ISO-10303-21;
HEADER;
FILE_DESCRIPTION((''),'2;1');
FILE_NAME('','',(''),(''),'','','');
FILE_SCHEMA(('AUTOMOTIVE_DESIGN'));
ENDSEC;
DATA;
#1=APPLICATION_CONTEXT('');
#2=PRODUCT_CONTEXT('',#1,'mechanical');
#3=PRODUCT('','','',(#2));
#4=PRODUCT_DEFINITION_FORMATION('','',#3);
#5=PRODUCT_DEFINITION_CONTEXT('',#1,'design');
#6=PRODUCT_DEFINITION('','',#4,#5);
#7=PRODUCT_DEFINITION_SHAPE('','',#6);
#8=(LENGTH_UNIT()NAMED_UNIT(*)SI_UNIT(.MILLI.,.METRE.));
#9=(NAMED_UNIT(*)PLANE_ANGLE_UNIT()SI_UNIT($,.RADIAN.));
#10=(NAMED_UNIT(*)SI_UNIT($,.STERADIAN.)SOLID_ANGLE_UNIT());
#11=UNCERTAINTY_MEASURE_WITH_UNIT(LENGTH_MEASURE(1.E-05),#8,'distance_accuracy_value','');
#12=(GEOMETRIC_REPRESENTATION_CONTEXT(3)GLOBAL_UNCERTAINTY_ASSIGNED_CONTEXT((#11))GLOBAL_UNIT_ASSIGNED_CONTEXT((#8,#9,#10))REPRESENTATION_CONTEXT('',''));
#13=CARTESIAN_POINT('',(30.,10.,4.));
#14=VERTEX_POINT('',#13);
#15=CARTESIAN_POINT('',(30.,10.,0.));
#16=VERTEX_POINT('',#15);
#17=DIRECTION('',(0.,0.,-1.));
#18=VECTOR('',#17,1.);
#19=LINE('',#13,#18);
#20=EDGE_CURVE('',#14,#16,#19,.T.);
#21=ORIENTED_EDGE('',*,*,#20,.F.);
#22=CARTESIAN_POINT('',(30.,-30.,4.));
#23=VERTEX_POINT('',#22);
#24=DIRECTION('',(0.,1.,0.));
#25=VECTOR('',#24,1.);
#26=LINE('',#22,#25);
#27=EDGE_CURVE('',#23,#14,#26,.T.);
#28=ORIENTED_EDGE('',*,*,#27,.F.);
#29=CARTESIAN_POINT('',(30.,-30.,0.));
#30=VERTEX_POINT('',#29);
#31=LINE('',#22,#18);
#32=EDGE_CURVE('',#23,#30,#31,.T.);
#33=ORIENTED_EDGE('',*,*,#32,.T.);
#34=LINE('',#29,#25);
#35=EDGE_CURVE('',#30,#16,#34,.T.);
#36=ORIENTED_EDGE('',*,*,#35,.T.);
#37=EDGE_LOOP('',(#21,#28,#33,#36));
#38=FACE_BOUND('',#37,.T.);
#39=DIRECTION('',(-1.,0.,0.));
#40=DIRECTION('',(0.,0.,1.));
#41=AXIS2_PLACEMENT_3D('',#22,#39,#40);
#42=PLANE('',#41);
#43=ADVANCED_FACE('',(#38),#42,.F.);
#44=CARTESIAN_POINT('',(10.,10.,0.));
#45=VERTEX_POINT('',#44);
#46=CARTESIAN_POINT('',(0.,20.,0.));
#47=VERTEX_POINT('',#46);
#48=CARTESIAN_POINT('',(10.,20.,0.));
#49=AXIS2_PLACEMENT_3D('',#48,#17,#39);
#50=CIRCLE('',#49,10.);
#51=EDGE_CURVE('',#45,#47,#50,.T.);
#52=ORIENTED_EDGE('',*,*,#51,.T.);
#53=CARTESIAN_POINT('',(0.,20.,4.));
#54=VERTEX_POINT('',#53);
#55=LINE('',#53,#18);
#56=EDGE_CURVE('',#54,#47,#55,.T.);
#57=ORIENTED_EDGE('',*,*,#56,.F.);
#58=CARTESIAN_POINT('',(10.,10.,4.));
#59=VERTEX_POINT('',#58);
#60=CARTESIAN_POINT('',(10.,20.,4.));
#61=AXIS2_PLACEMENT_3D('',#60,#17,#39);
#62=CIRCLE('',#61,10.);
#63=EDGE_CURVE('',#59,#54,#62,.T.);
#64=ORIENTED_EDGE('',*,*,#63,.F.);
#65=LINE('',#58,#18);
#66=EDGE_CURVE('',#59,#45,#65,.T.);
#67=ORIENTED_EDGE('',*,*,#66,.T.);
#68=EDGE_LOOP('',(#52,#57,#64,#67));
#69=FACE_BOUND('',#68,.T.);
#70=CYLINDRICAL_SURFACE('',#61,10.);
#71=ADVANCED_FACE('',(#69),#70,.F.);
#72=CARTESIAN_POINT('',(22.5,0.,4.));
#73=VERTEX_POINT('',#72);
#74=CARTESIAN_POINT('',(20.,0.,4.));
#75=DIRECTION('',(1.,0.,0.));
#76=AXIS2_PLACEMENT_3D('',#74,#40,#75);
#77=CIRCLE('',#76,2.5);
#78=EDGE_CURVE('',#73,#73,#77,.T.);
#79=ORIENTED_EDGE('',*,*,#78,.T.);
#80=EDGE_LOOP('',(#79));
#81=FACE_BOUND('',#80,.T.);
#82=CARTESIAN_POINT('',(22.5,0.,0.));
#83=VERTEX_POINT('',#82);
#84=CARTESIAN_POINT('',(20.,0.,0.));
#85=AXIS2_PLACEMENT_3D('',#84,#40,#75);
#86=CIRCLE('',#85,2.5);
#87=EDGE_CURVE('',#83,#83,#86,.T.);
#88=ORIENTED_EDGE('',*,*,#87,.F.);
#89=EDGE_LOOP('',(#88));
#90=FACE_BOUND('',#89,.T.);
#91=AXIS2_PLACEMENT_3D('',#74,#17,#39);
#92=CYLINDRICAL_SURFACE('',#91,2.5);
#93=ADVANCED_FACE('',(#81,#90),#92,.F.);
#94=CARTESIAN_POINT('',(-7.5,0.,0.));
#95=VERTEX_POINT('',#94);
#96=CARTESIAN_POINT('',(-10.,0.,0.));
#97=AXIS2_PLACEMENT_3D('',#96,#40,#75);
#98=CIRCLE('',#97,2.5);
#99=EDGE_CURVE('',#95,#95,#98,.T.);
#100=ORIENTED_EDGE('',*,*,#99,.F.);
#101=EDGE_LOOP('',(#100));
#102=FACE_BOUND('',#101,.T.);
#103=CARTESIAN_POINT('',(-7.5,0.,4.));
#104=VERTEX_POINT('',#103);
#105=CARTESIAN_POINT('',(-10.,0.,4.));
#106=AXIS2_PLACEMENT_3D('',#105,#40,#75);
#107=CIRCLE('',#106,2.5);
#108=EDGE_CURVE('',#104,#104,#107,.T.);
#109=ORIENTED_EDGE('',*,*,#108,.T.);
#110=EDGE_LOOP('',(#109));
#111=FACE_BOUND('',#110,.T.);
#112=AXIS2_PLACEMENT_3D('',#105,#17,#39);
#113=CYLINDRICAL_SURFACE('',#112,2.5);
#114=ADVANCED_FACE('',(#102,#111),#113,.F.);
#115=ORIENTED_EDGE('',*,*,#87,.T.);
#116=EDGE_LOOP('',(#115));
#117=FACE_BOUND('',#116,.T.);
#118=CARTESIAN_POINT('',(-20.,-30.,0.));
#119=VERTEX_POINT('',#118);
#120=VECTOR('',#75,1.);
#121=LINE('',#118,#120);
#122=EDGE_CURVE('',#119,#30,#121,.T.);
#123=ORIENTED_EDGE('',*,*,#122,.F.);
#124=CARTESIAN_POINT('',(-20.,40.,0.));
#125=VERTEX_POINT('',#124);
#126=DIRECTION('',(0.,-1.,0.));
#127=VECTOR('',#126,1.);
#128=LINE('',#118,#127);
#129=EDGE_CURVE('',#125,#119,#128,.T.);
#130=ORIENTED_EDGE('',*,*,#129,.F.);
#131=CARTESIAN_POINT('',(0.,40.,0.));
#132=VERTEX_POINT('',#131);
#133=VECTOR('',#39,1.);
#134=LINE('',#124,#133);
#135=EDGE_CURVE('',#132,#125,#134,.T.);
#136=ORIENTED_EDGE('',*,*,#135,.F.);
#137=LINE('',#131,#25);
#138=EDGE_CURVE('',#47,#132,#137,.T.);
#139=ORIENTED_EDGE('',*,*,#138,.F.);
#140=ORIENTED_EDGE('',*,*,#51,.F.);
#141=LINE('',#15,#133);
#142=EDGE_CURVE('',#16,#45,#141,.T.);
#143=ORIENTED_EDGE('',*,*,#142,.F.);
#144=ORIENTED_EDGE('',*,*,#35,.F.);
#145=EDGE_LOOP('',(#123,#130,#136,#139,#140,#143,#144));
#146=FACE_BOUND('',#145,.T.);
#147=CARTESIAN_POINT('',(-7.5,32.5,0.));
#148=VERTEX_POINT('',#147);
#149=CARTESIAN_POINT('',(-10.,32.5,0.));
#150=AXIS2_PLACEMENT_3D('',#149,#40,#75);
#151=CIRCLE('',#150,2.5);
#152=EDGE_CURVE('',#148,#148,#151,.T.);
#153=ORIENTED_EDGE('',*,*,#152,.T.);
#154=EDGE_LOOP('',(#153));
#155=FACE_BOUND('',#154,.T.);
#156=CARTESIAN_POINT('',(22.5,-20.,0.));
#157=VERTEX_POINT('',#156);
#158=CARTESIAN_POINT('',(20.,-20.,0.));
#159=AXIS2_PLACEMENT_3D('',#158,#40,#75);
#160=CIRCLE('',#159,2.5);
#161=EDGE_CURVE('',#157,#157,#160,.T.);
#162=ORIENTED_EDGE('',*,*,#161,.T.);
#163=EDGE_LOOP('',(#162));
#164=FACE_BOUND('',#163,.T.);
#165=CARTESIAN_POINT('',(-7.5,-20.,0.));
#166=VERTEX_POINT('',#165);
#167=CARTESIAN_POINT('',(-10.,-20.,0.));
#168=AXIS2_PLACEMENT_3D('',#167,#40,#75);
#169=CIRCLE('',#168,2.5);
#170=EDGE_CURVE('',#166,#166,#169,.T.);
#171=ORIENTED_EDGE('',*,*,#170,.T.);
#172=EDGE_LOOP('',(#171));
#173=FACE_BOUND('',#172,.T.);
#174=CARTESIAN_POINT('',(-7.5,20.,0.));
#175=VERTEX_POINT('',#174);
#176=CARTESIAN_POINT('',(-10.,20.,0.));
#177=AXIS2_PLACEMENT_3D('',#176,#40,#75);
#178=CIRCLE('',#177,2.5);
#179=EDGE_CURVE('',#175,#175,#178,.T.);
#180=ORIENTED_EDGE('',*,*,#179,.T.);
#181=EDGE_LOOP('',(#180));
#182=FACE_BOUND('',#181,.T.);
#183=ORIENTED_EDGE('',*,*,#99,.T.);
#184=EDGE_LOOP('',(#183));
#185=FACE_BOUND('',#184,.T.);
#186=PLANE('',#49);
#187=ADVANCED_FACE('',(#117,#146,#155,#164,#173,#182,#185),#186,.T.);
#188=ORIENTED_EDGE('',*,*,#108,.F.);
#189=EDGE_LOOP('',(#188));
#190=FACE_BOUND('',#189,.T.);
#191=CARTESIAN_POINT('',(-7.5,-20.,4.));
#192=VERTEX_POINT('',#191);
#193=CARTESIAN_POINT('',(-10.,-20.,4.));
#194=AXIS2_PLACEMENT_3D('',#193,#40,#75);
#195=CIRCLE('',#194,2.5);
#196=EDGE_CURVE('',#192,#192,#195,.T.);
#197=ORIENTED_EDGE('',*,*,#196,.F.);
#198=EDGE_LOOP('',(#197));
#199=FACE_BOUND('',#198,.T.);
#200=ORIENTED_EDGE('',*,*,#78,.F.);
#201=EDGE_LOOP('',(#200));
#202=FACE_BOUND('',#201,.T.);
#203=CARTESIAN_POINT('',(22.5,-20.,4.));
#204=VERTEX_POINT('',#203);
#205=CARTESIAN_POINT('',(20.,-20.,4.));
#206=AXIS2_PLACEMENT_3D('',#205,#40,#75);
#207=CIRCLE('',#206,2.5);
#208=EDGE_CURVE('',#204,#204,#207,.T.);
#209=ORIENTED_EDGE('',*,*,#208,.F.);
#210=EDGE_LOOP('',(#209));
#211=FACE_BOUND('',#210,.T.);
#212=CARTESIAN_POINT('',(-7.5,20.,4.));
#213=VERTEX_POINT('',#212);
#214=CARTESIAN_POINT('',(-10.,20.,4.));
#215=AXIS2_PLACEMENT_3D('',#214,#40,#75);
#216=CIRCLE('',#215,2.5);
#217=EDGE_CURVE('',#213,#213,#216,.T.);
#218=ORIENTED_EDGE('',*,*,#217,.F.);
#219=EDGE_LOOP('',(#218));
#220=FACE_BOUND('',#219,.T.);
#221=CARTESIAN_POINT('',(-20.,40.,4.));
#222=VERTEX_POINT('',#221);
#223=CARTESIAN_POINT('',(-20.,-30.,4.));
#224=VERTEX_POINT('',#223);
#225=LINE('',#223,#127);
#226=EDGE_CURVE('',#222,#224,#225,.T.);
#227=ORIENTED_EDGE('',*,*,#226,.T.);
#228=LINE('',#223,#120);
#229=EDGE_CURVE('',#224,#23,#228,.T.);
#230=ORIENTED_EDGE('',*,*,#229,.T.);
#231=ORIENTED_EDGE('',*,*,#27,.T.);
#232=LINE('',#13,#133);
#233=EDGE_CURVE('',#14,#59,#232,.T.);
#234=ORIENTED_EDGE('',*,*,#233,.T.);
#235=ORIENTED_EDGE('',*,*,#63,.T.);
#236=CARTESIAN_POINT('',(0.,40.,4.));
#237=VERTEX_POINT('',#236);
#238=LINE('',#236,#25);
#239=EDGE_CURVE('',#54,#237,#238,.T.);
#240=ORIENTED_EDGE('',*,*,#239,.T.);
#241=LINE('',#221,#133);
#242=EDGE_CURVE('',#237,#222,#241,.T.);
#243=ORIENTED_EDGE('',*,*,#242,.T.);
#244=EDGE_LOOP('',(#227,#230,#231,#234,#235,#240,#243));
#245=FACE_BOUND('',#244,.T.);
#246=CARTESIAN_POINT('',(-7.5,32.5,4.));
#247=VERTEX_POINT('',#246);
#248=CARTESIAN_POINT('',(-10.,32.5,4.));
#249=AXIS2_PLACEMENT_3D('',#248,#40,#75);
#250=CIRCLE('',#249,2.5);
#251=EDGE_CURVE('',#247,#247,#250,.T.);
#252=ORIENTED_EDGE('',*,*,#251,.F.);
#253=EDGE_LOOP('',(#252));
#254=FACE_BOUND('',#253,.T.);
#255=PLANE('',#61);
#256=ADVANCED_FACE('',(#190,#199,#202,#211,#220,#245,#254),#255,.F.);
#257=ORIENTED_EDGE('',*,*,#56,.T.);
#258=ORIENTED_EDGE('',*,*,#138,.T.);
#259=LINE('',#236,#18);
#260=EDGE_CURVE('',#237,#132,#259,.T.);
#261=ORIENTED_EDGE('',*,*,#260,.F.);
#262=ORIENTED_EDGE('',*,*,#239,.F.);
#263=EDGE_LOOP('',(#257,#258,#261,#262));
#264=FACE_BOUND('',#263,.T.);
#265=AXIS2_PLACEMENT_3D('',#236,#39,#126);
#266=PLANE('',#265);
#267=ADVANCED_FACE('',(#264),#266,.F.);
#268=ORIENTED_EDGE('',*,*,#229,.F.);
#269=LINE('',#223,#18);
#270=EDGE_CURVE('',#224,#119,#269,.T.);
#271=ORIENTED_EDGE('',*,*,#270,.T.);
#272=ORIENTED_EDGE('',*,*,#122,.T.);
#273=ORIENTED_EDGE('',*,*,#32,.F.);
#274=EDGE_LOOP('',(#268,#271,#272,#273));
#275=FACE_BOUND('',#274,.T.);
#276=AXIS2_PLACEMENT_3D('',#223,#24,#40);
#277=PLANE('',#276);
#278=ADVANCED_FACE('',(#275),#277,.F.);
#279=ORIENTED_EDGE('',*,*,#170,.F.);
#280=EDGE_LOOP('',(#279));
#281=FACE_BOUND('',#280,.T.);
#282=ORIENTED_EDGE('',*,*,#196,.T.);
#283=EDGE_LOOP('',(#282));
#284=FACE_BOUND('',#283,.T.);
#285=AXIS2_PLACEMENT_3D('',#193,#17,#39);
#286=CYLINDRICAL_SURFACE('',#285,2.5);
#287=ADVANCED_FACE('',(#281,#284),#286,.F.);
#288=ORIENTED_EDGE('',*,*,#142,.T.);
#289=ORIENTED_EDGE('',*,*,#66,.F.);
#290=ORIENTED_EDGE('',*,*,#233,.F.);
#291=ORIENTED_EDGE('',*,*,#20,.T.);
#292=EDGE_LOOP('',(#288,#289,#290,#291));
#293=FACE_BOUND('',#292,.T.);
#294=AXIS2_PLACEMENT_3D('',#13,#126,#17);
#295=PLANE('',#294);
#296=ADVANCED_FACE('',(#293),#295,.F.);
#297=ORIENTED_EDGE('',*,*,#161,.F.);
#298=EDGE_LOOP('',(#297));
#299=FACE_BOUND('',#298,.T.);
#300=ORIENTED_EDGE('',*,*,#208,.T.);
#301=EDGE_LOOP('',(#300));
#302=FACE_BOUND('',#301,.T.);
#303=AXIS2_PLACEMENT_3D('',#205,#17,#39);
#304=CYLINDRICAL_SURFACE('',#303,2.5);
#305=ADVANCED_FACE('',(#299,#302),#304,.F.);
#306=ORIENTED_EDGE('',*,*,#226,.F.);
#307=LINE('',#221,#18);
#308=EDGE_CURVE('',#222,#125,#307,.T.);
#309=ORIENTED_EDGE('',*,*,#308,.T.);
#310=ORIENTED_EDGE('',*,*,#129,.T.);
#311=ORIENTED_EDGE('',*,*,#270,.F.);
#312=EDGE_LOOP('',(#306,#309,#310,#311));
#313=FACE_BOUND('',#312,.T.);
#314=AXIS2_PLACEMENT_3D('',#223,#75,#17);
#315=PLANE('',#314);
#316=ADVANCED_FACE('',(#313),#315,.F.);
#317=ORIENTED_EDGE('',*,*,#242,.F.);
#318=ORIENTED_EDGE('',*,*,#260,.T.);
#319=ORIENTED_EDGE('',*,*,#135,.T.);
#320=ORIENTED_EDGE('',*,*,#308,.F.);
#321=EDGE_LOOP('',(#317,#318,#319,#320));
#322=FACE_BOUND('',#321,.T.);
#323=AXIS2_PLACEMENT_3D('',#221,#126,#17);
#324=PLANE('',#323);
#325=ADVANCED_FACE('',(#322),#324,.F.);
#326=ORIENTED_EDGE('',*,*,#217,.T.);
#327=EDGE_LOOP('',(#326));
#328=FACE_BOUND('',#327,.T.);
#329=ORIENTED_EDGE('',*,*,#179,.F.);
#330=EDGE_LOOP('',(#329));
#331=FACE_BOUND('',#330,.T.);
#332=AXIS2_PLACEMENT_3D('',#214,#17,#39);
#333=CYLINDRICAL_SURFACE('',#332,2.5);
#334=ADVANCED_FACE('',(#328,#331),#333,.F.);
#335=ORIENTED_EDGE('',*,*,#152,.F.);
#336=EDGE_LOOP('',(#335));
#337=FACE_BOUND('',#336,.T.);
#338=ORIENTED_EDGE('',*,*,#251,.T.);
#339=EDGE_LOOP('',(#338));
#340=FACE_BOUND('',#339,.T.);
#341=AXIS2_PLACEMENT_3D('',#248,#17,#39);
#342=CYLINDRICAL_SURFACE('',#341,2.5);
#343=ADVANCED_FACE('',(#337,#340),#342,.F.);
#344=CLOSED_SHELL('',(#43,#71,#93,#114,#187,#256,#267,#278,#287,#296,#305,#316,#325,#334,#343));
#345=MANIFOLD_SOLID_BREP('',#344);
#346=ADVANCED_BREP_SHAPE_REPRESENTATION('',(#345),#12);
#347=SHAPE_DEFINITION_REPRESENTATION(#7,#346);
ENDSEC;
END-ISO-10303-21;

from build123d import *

# Parameters (mm, degrees)
SKETCH1_R           = 2.5
BOSS_EXTRUDE1_DEPTH = 4


with BuildPart() as part:
    # Sketch1 → Boss-Extrude1 (new body)
    with BuildSketch(Plane.XY):
        with BuildLine():
            Line((-20, -30), (-20, 40))
            Line((-20, 40), (0, 40))
            Line((0, 40), (0, 20))
            ThreePointArc((0, 20), (2.928932188, 12.928932188), (10, 10))
            Line((10, 10), (30, 10))
            Line((30, 10), (30, -30))
            Line((30, -30), (-20, -30))
        make_face()
        with Locations((-10, 32.5)):
            Circle(SKETCH1_R, mode=Mode.SUBTRACT)
        with Locations((-10, 0)):
            Circle(SKETCH1_R, mode=Mode.SUBTRACT)
        with Locations((-10, -20)):
            Circle(SKETCH1_R, mode=Mode.SUBTRACT)
        with Locations((20, 0)):
            Circle(SKETCH1_R, mode=Mode.SUBTRACT)
        with Locations((20, -20)):
            Circle(SKETCH1_R, mode=Mode.SUBTRACT)
        with Locations((-10, 20)):
            Circle(SKETCH1_R, mode=Mode.SUBTRACT)
    extrude(amount=BOSS_EXTRUDE1_DEPTH)


solid = part.part
